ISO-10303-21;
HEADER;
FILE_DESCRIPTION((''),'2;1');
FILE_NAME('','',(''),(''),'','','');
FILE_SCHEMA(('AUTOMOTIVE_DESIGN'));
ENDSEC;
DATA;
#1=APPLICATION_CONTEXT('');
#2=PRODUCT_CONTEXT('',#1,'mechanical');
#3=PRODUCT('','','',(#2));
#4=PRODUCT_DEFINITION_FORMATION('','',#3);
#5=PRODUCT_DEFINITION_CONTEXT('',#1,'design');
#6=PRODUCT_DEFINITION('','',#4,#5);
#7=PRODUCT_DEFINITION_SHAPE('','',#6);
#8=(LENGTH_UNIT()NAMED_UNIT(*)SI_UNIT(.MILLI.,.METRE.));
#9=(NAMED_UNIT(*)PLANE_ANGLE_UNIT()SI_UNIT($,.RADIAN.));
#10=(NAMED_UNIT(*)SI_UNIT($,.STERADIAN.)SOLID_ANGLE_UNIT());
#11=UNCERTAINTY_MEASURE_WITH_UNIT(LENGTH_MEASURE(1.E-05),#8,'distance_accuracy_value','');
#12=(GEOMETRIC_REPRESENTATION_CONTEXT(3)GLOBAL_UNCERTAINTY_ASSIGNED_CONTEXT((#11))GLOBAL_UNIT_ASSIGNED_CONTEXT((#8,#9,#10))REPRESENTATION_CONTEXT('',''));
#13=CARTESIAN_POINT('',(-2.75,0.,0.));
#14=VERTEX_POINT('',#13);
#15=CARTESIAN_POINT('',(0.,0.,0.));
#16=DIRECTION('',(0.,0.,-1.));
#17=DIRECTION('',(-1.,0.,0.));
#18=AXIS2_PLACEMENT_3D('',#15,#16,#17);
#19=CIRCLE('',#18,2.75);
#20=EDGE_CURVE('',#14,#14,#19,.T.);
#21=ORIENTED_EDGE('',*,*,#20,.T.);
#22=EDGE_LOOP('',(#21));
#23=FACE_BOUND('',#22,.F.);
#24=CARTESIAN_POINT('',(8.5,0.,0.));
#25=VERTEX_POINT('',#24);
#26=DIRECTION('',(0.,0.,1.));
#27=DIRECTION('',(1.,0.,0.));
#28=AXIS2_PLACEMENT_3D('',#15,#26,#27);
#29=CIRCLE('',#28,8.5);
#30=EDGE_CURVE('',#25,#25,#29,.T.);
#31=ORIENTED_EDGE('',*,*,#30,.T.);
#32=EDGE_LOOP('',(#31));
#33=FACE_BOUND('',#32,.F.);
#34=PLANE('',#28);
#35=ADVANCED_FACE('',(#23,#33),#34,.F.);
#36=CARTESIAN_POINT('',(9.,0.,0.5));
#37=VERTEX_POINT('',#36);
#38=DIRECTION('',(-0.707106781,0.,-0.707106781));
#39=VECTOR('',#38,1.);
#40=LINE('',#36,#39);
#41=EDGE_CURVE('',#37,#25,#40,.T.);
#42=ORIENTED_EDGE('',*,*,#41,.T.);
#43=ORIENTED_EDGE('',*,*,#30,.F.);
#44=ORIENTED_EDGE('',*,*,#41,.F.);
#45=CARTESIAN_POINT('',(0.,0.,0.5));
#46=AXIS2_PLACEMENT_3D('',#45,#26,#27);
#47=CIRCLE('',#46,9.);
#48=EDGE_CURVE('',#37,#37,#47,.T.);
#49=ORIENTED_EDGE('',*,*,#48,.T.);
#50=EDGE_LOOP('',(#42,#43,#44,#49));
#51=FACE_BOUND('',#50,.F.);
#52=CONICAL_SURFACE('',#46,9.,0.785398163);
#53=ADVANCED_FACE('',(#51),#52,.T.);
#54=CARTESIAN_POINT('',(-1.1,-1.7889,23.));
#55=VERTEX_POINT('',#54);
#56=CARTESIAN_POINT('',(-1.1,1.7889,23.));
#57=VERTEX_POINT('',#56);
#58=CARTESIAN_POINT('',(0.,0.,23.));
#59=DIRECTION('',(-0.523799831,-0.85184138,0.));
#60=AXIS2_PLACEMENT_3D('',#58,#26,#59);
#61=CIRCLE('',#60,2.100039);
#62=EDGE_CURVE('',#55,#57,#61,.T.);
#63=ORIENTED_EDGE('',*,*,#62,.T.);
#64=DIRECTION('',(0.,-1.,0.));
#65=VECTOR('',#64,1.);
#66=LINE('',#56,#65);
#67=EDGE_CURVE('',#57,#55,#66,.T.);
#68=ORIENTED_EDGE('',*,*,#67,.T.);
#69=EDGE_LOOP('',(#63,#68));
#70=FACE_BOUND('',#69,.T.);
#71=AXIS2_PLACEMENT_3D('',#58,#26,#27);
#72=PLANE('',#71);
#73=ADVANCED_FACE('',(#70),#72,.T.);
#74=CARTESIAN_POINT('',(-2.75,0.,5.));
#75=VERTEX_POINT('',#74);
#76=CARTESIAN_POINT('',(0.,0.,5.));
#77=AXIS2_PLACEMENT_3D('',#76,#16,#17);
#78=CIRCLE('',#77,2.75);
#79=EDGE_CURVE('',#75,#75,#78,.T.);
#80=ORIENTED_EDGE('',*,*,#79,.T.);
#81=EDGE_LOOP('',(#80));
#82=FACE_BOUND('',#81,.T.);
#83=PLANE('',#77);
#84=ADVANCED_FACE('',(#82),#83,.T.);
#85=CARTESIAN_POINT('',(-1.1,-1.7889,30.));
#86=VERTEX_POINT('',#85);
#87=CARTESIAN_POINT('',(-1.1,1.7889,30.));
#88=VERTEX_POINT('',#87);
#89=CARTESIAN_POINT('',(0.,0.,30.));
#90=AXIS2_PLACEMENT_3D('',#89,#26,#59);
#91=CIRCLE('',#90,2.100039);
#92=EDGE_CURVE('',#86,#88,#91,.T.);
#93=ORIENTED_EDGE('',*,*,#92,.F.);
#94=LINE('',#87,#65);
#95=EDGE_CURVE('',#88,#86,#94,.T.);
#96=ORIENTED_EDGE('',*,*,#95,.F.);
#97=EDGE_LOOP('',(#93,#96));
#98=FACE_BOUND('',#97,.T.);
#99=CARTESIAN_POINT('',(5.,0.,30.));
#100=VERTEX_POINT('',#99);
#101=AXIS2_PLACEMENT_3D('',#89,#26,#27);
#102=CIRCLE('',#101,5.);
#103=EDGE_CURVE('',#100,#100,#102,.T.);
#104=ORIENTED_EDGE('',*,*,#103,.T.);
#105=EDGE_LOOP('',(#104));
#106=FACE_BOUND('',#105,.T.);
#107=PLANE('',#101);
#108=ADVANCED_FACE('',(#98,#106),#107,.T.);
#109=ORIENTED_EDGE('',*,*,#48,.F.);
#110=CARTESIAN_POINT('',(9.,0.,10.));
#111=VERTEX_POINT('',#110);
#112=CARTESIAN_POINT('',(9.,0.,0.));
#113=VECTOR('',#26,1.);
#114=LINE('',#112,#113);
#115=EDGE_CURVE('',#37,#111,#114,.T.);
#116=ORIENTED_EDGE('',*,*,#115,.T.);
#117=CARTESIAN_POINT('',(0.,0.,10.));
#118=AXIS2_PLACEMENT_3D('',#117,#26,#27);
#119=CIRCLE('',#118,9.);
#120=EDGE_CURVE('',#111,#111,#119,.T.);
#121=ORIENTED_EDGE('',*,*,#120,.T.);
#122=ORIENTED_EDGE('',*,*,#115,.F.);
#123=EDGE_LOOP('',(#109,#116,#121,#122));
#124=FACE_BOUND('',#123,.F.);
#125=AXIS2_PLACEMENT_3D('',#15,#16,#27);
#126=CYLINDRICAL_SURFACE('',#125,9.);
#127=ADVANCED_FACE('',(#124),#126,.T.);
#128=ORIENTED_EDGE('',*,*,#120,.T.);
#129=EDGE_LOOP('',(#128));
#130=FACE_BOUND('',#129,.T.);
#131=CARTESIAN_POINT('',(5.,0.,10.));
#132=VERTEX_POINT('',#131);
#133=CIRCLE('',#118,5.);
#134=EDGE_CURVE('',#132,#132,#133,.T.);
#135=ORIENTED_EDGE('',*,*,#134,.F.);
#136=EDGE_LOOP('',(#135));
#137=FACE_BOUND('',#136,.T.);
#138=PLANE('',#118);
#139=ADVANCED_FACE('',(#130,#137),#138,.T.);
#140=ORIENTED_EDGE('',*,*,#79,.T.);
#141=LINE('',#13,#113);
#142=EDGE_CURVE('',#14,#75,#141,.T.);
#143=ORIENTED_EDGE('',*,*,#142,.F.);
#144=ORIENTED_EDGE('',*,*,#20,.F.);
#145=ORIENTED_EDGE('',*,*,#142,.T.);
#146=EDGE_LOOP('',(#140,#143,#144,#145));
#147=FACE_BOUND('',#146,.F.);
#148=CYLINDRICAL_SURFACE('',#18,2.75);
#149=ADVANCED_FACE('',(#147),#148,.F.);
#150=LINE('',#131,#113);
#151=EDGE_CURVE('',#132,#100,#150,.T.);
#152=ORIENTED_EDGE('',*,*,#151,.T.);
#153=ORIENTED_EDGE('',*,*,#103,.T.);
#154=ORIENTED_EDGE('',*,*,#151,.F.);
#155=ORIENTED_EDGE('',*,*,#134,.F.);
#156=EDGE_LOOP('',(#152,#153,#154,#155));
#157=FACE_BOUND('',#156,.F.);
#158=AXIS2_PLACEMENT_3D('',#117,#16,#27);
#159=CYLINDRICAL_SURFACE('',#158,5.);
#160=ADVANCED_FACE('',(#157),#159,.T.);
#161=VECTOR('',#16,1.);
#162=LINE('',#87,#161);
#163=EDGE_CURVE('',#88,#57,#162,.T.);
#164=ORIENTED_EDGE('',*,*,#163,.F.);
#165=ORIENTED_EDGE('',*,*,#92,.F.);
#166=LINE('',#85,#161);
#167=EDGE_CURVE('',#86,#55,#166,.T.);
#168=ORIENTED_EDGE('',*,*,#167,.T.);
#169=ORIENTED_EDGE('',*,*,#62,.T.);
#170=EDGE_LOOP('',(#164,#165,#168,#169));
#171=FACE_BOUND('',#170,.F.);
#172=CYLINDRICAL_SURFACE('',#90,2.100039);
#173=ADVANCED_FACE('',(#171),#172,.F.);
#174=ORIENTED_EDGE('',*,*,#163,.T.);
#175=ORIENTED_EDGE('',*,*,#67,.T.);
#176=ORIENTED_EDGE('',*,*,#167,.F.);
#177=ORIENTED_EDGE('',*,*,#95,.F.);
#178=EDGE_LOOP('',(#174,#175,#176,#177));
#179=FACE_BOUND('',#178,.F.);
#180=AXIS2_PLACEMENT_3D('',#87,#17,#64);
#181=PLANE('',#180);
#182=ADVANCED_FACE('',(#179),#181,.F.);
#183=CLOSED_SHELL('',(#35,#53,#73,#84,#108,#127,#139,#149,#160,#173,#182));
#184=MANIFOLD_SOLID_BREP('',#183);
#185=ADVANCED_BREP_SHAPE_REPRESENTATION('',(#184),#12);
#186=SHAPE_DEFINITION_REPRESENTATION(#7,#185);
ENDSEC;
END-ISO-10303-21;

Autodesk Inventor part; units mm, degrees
ref_plane "YZ Plane" through (0, 0, 0) normal (1, 0, 0) x (0, 1, 0)
ref_plane "XZ Plane" through (0, 0, 0) normal (0, 1, 0) x (-1, 0, 0)
ref_plane "XY Plane" through (0, 0, 0) normal (0, 0, 1) x (1, 0, 0)
sketch "Sketch1" plane through (0, 0, 0) normal (0, 0, 1) x (1, 0, 0)
  circle A0 centre (0, 0) radius 9
  dimension "d0" = 18
extrude "Extrusion1" add sketch "Sketch1" along normal blind 10
chamfer "Chamfer1" distance 0.5 angle 45 1 edges at (-9, 0, 0)
sketch "Sketch2" plane through (0, 0, 0) normal (0, 0, -1) x (-1, 0, 0)
  circle A0 centre (0, 0) radius 2.75
  dimension "d6" = 5.5
extrude "Extrusion2" cut sketch "Sketch2" against normal blind 5
sketch "Sketch3" plane through (0, 0, 10) normal (0, 0, 1) x (1, 0, 0)
  circle A0 centre (0, 0) radius 5
  dimension "d9" = 10
extrude "Extrusion3" add sketch "Sketch3" along normal blind 20
sketch "Sketch4" plane through (0, 0, 30) normal (0, 0, 1) x (1, 0, 0)
  arc A0 (-1.1, -1.7889) -> (-1.1, 1.7889) centre (0, 0) ccw
  line L0 (-1.1, 1.7889) -> (-1.1, -1.7889)
  dimension "d12" = 4.2
  dimension "d13" = 1.1
extrude "Extrusion4" cut sketch "Sketch4" against normal blind 7
properties part number "MotorFlyWheel"
